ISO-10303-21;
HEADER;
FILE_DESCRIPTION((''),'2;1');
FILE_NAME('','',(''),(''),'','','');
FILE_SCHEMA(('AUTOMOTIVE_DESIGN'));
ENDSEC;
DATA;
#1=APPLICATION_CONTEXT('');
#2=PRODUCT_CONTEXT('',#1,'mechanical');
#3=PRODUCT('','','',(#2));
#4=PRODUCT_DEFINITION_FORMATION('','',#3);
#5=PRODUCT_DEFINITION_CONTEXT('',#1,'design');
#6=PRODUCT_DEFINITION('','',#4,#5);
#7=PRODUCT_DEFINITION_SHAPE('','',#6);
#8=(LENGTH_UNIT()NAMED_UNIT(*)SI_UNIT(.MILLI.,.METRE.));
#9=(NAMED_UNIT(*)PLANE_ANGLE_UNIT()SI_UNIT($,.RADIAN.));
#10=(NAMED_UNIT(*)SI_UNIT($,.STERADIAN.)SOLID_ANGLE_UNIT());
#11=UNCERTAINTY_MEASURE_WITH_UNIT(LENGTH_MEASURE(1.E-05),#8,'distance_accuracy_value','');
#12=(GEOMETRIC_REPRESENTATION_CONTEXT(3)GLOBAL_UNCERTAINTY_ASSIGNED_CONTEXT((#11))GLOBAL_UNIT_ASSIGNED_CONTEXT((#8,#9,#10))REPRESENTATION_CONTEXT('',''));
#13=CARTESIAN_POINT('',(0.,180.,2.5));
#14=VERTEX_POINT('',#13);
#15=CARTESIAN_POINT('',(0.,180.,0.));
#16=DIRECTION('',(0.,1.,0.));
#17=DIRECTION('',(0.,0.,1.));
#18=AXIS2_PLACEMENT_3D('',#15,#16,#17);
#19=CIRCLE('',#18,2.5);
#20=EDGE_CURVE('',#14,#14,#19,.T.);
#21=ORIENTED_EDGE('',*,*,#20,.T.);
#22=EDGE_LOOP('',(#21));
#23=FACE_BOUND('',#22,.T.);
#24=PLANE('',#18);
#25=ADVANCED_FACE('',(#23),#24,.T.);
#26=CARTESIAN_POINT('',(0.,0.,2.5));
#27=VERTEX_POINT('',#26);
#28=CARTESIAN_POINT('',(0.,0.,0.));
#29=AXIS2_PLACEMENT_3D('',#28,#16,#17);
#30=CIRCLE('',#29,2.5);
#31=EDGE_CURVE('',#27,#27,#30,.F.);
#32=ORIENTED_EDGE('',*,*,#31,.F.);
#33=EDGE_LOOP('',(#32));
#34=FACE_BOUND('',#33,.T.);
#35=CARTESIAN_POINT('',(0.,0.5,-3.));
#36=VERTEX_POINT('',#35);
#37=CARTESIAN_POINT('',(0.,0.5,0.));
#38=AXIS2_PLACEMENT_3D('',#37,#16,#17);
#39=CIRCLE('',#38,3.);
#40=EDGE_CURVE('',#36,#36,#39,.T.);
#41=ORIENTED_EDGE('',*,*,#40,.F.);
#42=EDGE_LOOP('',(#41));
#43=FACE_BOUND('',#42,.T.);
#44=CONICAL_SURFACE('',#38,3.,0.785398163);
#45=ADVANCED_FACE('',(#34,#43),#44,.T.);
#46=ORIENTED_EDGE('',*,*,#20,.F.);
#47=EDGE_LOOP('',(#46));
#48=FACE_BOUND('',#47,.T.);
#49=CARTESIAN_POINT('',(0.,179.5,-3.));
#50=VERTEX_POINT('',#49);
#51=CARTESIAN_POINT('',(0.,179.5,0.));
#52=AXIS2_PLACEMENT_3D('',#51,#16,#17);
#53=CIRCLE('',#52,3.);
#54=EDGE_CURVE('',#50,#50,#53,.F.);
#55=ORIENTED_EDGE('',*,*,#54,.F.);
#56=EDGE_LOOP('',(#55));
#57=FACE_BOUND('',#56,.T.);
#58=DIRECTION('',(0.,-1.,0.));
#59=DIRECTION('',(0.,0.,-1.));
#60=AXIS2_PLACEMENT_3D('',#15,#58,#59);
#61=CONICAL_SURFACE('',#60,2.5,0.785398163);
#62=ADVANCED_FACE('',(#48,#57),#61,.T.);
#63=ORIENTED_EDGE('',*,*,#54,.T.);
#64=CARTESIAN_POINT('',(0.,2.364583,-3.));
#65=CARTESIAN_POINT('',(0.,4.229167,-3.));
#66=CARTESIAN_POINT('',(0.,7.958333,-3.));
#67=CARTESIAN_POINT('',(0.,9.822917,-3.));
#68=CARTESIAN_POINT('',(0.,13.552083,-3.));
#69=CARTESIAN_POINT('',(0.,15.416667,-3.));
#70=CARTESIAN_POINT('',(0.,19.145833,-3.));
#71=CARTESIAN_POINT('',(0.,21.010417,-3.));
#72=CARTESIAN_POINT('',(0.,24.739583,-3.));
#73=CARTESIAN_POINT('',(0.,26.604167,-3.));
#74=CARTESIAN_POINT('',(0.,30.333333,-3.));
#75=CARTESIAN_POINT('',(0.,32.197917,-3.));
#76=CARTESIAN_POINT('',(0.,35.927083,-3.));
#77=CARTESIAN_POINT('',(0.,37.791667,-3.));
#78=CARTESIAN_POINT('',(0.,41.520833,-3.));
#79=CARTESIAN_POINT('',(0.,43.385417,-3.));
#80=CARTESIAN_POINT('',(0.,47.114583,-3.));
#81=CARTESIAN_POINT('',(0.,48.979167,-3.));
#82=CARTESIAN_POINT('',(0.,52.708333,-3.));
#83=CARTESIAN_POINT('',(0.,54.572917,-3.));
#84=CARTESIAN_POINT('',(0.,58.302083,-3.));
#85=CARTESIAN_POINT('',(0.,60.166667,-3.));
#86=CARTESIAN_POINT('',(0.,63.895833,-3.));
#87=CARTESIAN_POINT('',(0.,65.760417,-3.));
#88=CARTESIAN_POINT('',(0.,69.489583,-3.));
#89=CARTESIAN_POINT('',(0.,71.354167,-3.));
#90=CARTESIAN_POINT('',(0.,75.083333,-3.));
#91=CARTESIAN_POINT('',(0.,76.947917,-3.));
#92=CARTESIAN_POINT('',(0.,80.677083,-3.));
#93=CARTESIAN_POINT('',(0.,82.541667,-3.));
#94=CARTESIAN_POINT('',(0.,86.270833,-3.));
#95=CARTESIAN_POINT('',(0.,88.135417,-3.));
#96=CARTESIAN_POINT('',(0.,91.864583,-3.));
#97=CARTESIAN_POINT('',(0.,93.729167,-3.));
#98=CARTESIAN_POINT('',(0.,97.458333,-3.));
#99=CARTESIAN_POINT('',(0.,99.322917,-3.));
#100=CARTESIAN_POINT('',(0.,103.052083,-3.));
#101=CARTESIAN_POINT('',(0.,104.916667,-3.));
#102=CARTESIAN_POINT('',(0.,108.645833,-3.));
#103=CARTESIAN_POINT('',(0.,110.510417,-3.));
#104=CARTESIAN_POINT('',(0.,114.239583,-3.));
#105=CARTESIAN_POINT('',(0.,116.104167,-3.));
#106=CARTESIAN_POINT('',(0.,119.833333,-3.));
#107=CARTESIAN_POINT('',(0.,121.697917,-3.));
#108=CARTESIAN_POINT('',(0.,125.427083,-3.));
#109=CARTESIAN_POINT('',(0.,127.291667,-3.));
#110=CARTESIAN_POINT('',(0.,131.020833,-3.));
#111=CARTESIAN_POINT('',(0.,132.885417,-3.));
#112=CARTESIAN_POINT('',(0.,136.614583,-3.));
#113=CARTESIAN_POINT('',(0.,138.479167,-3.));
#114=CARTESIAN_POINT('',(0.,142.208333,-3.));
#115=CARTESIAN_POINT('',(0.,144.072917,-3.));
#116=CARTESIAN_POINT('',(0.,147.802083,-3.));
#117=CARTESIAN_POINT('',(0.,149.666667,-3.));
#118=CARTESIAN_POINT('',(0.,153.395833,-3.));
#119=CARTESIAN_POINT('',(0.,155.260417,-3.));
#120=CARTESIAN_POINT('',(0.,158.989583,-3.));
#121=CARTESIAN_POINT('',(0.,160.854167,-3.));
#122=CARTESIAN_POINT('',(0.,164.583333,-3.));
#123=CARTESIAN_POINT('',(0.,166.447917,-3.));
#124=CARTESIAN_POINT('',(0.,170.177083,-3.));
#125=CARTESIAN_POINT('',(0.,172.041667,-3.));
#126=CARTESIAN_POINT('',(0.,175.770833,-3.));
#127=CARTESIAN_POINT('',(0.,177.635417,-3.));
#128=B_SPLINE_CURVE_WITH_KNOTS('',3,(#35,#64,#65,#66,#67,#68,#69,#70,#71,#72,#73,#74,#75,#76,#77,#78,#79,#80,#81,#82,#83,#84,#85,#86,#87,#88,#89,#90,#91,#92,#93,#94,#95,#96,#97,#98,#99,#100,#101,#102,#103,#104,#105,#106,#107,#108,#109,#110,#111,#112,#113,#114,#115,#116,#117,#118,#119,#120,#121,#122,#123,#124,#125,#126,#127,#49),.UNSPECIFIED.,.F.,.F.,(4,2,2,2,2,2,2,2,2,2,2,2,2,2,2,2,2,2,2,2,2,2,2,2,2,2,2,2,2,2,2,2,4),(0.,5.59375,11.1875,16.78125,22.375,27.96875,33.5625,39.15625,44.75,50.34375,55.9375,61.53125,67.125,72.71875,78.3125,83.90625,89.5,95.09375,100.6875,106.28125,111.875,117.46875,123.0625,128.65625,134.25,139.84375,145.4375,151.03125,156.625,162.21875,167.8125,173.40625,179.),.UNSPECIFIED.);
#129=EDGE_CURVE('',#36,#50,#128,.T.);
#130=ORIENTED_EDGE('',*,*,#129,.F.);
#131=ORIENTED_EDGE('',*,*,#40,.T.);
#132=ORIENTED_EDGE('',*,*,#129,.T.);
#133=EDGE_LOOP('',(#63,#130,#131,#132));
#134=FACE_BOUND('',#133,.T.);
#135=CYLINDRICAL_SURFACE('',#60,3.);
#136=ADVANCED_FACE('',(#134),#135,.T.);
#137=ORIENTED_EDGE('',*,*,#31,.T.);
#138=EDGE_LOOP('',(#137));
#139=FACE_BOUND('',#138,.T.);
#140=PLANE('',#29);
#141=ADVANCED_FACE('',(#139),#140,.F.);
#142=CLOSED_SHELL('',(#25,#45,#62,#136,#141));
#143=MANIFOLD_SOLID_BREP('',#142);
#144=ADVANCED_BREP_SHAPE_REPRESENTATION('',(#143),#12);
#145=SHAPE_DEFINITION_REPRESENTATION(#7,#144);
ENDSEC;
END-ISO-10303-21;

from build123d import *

# Parameters (mm, degrees)
IZIM1_R                     = 3
Y_KSEKLIK_EKSTR_ZYON1_DEPTH = 180
PAH1_SIZE                   = 0.5


with BuildPart() as part:
    # Çizim1 → Yükseklik-Ekstrüzyon1 (new body)
    with BuildSketch(Plane(origin=(0, 0, 0), x_dir=(1, 0, 0), z_dir=(0, 1, 0))):
        with Locations(Location((0, 0, 0), (0, 0, 90))):
            Circle(IZIM1_R)
    extrude(amount=Y_KSEKLIK_EKSTR_ZYON1_DEPTH)

    # Pah1
    pah1_edges = [part.edges().sort_by_distance(p)[0] for p in [
        (0, 0, 3),
        (0, 180, 3),
    ]]
    chamfer(pah1_edges, length=PAH1_SIZE)


solid = part.part
